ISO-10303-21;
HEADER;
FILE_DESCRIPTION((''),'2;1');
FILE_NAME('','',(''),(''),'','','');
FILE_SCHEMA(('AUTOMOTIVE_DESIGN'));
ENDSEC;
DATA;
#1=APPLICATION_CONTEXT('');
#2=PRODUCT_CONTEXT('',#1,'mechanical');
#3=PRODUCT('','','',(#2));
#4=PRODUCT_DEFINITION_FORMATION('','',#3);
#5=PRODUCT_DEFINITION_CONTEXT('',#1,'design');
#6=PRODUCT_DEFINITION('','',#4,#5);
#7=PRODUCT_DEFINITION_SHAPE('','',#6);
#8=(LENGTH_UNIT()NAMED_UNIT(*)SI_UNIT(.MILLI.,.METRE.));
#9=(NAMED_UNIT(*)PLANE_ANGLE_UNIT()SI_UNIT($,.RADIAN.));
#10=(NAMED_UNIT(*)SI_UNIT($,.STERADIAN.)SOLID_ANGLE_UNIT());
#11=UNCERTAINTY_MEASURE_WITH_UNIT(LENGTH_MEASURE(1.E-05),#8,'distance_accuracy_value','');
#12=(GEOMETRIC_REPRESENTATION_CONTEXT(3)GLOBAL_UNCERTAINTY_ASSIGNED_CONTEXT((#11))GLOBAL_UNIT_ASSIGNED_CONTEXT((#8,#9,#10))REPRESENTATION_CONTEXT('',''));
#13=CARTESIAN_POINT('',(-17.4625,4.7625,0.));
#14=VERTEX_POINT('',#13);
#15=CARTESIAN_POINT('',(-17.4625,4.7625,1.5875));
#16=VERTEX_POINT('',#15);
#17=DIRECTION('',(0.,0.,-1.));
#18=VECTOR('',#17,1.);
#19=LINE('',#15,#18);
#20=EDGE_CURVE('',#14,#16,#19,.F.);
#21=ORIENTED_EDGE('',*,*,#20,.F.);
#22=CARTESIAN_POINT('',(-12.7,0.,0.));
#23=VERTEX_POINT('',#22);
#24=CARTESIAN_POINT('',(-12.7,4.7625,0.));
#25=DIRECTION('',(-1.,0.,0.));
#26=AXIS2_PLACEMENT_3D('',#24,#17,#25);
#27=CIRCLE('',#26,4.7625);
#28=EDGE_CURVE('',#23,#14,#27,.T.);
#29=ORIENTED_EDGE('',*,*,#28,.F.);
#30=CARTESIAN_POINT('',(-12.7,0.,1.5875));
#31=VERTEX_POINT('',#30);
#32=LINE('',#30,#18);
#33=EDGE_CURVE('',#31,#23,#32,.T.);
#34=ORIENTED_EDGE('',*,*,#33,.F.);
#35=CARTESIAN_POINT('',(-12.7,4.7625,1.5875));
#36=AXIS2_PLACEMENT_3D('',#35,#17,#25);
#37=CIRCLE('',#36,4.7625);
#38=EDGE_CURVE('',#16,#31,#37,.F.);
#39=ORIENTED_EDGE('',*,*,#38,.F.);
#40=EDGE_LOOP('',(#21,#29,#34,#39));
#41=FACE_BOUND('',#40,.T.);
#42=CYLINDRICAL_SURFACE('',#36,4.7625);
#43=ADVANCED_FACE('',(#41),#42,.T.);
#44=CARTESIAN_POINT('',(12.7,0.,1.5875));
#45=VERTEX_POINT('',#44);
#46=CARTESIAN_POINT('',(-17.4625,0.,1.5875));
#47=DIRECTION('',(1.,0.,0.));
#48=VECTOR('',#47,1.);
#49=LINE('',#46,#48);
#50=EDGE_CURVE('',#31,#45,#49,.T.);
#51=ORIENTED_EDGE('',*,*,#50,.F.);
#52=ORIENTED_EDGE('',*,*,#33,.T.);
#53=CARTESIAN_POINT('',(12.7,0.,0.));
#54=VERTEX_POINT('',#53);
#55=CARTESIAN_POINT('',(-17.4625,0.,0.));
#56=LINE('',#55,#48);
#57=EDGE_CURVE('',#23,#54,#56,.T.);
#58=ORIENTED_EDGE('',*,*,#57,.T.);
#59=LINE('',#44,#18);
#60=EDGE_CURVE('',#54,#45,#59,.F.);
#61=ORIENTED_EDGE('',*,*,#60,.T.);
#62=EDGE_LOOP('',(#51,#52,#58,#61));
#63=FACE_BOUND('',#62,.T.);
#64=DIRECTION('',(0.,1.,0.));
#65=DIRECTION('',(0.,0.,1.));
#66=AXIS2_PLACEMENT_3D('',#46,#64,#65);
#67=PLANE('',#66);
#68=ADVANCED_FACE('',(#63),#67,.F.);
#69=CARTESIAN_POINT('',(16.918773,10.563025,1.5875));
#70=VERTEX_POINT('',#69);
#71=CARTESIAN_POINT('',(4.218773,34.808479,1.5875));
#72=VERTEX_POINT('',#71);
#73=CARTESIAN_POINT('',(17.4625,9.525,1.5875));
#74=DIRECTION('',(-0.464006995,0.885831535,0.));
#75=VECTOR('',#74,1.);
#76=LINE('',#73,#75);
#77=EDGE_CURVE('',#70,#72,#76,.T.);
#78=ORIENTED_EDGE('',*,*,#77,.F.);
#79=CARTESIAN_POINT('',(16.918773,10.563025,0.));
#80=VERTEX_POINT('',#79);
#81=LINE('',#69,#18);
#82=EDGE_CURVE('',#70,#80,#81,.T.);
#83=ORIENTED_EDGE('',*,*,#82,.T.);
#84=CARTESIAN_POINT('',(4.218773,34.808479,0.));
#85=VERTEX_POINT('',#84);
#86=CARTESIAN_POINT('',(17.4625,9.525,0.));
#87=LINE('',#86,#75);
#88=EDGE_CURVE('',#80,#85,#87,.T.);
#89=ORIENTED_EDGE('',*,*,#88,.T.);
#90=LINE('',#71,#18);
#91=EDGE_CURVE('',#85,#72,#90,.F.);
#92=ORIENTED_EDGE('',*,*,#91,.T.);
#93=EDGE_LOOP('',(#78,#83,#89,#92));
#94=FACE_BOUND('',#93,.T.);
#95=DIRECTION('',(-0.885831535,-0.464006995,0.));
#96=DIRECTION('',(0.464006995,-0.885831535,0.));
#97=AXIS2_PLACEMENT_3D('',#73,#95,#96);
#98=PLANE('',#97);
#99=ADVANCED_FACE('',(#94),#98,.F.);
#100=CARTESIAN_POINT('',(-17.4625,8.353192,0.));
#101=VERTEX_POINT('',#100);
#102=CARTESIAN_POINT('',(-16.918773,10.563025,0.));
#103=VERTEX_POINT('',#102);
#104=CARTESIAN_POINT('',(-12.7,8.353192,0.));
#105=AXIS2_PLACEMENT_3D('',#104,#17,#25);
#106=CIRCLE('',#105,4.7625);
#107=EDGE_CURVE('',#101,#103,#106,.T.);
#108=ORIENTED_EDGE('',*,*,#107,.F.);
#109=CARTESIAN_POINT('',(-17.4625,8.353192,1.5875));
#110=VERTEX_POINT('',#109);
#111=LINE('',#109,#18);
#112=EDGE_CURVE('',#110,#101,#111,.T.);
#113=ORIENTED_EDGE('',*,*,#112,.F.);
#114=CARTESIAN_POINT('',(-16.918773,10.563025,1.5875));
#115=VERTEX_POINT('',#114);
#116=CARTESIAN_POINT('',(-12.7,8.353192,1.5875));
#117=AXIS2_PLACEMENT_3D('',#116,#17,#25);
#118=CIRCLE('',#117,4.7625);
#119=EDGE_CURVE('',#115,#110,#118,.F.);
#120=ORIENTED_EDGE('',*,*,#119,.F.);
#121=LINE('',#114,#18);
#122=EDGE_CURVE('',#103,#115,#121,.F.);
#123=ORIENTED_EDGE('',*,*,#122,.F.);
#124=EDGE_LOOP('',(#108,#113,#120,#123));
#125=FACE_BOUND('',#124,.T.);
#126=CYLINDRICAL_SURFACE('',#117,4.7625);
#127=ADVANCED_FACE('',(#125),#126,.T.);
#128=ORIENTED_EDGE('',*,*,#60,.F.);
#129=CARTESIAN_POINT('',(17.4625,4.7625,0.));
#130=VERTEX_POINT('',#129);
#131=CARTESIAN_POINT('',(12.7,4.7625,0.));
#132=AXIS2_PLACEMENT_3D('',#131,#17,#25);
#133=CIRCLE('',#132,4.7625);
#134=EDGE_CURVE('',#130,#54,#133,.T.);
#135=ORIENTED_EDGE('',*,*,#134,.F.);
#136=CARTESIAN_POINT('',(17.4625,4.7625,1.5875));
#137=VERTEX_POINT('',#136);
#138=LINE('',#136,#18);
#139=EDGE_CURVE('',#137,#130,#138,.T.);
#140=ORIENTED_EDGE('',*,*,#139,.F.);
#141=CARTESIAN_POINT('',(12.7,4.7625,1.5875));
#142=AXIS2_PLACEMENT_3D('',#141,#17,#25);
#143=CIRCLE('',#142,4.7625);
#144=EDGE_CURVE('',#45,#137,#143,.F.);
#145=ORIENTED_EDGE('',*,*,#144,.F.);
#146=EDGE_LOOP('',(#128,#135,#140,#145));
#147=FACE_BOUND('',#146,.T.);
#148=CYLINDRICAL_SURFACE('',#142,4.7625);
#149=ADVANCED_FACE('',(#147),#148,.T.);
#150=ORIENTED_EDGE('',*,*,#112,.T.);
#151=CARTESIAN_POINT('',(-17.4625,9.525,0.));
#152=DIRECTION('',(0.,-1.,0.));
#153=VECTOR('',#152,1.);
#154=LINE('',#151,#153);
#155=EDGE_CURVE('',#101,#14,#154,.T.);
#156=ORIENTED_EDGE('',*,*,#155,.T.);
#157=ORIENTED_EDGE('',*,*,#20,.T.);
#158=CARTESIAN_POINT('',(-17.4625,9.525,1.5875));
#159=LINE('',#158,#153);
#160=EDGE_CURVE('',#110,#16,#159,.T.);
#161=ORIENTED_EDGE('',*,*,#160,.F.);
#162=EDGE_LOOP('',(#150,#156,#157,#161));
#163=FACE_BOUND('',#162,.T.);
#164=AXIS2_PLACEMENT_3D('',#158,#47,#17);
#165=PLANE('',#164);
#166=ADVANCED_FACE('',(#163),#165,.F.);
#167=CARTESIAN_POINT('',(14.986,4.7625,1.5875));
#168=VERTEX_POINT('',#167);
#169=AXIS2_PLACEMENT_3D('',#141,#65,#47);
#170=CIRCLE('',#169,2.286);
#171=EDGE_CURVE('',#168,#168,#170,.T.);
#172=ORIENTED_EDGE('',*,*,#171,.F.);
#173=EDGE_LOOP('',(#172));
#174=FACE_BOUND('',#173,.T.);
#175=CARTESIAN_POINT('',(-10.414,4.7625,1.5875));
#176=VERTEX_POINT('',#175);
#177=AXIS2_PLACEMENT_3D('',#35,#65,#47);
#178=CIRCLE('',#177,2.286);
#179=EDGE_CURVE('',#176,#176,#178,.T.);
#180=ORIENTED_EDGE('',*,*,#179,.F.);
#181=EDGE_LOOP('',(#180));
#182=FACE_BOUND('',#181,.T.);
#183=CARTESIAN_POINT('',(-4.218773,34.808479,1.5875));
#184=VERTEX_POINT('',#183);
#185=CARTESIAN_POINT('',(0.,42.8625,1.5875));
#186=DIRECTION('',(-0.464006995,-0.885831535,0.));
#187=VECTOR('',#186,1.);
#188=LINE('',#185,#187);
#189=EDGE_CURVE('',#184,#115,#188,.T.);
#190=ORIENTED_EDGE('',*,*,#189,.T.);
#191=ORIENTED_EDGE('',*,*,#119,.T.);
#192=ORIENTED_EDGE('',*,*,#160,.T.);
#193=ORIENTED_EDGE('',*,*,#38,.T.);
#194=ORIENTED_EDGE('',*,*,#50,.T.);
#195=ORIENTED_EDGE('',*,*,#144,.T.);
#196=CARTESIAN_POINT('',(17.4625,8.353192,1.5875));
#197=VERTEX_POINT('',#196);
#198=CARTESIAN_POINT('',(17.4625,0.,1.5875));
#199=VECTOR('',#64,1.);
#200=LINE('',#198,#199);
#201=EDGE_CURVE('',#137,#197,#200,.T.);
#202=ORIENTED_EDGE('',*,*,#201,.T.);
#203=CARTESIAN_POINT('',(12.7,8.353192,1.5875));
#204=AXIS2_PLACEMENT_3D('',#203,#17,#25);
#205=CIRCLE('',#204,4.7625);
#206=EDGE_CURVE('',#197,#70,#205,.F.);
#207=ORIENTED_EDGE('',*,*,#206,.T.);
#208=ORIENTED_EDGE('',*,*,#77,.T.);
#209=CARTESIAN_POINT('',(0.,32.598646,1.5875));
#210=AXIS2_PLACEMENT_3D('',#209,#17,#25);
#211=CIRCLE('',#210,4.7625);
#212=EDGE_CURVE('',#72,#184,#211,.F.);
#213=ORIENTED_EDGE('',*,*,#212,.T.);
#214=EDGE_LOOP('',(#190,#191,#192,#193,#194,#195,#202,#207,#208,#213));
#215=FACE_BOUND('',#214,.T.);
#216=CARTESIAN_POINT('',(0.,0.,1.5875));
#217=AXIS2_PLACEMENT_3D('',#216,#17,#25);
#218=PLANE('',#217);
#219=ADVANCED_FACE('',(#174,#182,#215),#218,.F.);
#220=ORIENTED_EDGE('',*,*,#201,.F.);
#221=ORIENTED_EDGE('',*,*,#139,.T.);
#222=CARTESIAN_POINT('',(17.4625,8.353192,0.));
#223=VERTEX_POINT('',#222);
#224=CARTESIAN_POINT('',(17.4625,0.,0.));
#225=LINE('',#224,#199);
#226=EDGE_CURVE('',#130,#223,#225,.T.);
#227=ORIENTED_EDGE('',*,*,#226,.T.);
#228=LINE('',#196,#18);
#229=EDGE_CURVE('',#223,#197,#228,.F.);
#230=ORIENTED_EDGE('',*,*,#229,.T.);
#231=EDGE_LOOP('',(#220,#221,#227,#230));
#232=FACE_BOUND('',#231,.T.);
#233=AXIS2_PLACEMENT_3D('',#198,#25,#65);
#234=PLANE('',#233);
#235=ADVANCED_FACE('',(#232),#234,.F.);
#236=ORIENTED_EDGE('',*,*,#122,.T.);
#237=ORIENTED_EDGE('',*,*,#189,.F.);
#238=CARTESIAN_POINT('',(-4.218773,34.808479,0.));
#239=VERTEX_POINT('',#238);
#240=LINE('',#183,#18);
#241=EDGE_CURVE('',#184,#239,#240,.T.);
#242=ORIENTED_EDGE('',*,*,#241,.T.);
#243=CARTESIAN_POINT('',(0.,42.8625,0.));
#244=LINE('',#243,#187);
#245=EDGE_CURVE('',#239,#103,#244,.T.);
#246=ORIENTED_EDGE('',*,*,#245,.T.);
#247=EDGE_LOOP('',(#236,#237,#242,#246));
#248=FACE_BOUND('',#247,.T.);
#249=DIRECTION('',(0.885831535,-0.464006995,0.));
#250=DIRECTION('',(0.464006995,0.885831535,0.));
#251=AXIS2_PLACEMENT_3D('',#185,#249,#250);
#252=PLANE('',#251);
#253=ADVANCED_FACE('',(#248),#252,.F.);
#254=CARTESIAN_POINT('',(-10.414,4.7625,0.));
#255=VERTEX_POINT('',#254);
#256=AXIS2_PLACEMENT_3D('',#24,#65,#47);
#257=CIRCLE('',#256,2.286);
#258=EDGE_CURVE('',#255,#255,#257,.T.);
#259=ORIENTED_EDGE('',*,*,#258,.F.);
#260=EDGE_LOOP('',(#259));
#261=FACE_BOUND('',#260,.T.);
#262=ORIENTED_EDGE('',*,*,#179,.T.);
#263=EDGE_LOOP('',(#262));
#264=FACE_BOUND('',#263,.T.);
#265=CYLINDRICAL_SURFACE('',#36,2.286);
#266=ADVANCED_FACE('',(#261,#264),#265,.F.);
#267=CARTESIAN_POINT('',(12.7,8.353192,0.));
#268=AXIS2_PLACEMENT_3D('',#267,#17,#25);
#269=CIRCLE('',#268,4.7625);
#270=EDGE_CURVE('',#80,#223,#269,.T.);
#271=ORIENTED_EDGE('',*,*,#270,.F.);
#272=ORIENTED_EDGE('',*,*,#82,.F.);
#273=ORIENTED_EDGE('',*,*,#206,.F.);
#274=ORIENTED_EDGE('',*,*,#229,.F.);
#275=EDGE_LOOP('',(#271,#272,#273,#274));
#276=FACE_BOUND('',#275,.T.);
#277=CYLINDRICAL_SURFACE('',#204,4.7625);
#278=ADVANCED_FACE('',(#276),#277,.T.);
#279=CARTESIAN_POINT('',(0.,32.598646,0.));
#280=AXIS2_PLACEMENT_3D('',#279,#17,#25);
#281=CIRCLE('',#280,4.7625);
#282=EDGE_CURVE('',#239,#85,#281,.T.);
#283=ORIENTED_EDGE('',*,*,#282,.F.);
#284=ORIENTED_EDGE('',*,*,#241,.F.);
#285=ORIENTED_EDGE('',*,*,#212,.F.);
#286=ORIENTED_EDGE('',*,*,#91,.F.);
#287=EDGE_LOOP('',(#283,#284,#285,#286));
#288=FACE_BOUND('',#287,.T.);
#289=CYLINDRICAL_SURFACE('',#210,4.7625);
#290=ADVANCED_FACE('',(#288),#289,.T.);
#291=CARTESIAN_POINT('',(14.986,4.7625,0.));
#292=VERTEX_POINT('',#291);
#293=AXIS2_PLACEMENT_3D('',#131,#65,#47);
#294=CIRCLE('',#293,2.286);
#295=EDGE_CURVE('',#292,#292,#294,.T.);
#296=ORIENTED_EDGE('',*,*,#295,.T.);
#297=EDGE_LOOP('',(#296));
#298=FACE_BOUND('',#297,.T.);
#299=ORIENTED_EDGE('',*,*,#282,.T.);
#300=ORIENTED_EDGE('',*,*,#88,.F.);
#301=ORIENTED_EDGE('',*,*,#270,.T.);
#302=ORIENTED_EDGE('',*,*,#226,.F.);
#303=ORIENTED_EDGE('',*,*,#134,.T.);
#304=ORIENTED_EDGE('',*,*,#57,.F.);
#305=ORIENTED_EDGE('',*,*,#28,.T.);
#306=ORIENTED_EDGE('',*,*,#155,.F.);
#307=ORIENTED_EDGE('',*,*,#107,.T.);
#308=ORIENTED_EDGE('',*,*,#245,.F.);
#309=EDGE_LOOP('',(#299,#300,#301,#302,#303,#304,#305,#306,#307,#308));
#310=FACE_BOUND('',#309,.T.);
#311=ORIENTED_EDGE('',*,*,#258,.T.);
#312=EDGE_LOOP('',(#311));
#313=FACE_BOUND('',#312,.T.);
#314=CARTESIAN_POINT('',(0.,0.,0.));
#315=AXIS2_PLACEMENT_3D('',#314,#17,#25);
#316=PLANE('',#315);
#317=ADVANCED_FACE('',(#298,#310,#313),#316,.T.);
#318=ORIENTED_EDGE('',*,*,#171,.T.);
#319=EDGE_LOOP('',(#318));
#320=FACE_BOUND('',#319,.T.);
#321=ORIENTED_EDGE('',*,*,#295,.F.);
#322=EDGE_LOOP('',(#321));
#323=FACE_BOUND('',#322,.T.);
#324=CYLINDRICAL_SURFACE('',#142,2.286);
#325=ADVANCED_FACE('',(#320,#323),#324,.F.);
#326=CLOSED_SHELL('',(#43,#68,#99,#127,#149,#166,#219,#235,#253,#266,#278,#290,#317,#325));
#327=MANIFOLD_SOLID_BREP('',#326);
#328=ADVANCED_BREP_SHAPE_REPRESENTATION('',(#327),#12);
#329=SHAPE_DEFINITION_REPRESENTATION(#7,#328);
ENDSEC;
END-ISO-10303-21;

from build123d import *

# Parameters (mm, degrees)
SKETCH1_R           = 2.286
BOSS_EXTRUDE1_DEPTH = 1.5875
FILLET1_R           = 4.7625


with BuildPart() as part:
    # Sketch1 → Boss-Extrude1 (new body)
    with BuildSketch(Plane.XY):
        Polygon((-17.4625, 0), (17.4625, 0), (17.4625, 9.525), (0, 42.8625), (-17.4625, 9.525), align=None)
        with Locations((-12.7, 4.7625)):
            Circle(SKETCH1_R, mode=Mode.SUBTRACT)
        with Locations((12.7, 4.7625)):
            Circle(SKETCH1_R, mode=Mode.SUBTRACT)
    extrude(amount=BOSS_EXTRUDE1_DEPTH)

    # Fillet1
    fillet1_edges = [part.edges().sort_by_distance(p)[0] for p in [
        (17.4625, 0, 0.79375),
        (-17.4625, 0, 0.79375),
        (-17.4625, 9.525, 0.79375),
        (0, 42.8625, 0.79375),
        (17.4625, 9.525, 0.79375),
    ]]
    fillet(fillet1_edges, radius=FILLET1_R)


solid = part.part
